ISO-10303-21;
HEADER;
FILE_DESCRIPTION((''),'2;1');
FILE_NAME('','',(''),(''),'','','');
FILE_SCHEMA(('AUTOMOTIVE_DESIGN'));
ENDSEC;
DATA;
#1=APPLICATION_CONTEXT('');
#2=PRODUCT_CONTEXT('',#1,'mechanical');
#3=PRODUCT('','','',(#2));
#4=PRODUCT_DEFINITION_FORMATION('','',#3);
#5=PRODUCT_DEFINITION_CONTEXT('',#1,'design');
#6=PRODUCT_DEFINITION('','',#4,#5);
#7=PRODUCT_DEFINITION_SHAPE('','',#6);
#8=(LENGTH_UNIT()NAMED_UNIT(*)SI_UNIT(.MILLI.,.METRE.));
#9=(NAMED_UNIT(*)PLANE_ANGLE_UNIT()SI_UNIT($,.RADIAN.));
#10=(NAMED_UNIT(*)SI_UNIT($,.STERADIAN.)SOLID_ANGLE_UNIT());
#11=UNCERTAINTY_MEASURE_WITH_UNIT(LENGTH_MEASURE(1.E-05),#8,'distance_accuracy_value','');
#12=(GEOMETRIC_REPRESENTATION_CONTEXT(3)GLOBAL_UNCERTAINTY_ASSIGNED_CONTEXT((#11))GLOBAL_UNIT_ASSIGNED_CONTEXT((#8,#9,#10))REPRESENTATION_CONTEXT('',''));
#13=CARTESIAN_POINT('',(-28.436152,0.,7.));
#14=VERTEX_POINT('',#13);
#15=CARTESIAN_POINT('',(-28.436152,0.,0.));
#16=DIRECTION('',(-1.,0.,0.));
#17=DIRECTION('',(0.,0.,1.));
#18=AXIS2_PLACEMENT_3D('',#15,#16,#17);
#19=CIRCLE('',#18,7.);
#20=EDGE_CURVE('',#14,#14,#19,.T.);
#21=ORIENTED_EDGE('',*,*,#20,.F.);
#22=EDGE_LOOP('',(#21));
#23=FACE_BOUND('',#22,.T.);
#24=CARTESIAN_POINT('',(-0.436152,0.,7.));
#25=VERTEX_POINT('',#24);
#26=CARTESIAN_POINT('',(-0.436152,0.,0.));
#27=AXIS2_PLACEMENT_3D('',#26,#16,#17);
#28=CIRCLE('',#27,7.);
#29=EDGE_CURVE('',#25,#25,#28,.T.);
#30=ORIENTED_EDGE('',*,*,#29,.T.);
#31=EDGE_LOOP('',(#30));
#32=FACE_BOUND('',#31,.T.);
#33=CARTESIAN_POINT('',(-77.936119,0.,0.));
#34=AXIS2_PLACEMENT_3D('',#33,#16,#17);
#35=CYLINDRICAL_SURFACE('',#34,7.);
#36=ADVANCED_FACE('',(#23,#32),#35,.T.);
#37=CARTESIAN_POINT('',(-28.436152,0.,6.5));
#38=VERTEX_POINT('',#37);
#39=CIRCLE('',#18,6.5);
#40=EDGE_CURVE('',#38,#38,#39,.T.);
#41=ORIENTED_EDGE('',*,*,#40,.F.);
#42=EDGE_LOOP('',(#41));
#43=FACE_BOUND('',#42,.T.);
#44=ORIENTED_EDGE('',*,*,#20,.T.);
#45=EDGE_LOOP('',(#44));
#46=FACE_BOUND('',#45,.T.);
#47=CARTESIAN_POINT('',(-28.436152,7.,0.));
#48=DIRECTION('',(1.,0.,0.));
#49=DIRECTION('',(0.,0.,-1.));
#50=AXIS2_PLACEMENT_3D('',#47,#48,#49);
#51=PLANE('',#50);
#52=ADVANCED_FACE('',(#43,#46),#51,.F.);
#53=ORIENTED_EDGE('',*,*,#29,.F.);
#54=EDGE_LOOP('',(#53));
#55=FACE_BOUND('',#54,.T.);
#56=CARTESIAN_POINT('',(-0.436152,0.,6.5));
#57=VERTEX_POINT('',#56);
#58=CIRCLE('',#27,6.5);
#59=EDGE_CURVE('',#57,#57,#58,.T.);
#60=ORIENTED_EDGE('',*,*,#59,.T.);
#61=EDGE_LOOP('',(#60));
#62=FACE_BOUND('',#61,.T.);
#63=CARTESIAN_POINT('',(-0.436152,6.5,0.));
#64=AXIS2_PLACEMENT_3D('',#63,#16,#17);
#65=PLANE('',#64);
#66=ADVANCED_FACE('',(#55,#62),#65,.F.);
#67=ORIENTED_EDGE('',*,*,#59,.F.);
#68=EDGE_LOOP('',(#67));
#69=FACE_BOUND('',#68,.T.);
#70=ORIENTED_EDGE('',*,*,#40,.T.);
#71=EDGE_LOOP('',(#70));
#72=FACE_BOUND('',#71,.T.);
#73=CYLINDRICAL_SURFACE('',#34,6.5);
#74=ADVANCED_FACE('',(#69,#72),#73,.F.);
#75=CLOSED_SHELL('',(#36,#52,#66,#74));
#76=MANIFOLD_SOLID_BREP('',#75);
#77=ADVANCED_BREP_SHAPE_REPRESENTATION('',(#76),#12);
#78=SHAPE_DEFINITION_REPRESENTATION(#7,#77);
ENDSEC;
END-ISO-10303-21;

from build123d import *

# Parameters (mm, degrees)
ESQUISSE1_W = 28
ESQUISSE1_H = 0.5


with BuildPart() as part:
    # Esquisse1 → Révolution1 (revolve)
    with BuildSketch(Plane.XY, mode=Mode.PRIVATE) as r_volution1_sk:
        with Locations((-14.436151603, 6.75)):
            Rectangle(ESQUISSE1_W, ESQUISSE1_H)
    revolve(r_volution1_sk.sketch.rotate(Axis((-77.93611921, 0, 0), (1, 0, 0)), 90), axis=Axis((-77.93611921, 0, 0), (1, 0, 0)))


solid = part.part
